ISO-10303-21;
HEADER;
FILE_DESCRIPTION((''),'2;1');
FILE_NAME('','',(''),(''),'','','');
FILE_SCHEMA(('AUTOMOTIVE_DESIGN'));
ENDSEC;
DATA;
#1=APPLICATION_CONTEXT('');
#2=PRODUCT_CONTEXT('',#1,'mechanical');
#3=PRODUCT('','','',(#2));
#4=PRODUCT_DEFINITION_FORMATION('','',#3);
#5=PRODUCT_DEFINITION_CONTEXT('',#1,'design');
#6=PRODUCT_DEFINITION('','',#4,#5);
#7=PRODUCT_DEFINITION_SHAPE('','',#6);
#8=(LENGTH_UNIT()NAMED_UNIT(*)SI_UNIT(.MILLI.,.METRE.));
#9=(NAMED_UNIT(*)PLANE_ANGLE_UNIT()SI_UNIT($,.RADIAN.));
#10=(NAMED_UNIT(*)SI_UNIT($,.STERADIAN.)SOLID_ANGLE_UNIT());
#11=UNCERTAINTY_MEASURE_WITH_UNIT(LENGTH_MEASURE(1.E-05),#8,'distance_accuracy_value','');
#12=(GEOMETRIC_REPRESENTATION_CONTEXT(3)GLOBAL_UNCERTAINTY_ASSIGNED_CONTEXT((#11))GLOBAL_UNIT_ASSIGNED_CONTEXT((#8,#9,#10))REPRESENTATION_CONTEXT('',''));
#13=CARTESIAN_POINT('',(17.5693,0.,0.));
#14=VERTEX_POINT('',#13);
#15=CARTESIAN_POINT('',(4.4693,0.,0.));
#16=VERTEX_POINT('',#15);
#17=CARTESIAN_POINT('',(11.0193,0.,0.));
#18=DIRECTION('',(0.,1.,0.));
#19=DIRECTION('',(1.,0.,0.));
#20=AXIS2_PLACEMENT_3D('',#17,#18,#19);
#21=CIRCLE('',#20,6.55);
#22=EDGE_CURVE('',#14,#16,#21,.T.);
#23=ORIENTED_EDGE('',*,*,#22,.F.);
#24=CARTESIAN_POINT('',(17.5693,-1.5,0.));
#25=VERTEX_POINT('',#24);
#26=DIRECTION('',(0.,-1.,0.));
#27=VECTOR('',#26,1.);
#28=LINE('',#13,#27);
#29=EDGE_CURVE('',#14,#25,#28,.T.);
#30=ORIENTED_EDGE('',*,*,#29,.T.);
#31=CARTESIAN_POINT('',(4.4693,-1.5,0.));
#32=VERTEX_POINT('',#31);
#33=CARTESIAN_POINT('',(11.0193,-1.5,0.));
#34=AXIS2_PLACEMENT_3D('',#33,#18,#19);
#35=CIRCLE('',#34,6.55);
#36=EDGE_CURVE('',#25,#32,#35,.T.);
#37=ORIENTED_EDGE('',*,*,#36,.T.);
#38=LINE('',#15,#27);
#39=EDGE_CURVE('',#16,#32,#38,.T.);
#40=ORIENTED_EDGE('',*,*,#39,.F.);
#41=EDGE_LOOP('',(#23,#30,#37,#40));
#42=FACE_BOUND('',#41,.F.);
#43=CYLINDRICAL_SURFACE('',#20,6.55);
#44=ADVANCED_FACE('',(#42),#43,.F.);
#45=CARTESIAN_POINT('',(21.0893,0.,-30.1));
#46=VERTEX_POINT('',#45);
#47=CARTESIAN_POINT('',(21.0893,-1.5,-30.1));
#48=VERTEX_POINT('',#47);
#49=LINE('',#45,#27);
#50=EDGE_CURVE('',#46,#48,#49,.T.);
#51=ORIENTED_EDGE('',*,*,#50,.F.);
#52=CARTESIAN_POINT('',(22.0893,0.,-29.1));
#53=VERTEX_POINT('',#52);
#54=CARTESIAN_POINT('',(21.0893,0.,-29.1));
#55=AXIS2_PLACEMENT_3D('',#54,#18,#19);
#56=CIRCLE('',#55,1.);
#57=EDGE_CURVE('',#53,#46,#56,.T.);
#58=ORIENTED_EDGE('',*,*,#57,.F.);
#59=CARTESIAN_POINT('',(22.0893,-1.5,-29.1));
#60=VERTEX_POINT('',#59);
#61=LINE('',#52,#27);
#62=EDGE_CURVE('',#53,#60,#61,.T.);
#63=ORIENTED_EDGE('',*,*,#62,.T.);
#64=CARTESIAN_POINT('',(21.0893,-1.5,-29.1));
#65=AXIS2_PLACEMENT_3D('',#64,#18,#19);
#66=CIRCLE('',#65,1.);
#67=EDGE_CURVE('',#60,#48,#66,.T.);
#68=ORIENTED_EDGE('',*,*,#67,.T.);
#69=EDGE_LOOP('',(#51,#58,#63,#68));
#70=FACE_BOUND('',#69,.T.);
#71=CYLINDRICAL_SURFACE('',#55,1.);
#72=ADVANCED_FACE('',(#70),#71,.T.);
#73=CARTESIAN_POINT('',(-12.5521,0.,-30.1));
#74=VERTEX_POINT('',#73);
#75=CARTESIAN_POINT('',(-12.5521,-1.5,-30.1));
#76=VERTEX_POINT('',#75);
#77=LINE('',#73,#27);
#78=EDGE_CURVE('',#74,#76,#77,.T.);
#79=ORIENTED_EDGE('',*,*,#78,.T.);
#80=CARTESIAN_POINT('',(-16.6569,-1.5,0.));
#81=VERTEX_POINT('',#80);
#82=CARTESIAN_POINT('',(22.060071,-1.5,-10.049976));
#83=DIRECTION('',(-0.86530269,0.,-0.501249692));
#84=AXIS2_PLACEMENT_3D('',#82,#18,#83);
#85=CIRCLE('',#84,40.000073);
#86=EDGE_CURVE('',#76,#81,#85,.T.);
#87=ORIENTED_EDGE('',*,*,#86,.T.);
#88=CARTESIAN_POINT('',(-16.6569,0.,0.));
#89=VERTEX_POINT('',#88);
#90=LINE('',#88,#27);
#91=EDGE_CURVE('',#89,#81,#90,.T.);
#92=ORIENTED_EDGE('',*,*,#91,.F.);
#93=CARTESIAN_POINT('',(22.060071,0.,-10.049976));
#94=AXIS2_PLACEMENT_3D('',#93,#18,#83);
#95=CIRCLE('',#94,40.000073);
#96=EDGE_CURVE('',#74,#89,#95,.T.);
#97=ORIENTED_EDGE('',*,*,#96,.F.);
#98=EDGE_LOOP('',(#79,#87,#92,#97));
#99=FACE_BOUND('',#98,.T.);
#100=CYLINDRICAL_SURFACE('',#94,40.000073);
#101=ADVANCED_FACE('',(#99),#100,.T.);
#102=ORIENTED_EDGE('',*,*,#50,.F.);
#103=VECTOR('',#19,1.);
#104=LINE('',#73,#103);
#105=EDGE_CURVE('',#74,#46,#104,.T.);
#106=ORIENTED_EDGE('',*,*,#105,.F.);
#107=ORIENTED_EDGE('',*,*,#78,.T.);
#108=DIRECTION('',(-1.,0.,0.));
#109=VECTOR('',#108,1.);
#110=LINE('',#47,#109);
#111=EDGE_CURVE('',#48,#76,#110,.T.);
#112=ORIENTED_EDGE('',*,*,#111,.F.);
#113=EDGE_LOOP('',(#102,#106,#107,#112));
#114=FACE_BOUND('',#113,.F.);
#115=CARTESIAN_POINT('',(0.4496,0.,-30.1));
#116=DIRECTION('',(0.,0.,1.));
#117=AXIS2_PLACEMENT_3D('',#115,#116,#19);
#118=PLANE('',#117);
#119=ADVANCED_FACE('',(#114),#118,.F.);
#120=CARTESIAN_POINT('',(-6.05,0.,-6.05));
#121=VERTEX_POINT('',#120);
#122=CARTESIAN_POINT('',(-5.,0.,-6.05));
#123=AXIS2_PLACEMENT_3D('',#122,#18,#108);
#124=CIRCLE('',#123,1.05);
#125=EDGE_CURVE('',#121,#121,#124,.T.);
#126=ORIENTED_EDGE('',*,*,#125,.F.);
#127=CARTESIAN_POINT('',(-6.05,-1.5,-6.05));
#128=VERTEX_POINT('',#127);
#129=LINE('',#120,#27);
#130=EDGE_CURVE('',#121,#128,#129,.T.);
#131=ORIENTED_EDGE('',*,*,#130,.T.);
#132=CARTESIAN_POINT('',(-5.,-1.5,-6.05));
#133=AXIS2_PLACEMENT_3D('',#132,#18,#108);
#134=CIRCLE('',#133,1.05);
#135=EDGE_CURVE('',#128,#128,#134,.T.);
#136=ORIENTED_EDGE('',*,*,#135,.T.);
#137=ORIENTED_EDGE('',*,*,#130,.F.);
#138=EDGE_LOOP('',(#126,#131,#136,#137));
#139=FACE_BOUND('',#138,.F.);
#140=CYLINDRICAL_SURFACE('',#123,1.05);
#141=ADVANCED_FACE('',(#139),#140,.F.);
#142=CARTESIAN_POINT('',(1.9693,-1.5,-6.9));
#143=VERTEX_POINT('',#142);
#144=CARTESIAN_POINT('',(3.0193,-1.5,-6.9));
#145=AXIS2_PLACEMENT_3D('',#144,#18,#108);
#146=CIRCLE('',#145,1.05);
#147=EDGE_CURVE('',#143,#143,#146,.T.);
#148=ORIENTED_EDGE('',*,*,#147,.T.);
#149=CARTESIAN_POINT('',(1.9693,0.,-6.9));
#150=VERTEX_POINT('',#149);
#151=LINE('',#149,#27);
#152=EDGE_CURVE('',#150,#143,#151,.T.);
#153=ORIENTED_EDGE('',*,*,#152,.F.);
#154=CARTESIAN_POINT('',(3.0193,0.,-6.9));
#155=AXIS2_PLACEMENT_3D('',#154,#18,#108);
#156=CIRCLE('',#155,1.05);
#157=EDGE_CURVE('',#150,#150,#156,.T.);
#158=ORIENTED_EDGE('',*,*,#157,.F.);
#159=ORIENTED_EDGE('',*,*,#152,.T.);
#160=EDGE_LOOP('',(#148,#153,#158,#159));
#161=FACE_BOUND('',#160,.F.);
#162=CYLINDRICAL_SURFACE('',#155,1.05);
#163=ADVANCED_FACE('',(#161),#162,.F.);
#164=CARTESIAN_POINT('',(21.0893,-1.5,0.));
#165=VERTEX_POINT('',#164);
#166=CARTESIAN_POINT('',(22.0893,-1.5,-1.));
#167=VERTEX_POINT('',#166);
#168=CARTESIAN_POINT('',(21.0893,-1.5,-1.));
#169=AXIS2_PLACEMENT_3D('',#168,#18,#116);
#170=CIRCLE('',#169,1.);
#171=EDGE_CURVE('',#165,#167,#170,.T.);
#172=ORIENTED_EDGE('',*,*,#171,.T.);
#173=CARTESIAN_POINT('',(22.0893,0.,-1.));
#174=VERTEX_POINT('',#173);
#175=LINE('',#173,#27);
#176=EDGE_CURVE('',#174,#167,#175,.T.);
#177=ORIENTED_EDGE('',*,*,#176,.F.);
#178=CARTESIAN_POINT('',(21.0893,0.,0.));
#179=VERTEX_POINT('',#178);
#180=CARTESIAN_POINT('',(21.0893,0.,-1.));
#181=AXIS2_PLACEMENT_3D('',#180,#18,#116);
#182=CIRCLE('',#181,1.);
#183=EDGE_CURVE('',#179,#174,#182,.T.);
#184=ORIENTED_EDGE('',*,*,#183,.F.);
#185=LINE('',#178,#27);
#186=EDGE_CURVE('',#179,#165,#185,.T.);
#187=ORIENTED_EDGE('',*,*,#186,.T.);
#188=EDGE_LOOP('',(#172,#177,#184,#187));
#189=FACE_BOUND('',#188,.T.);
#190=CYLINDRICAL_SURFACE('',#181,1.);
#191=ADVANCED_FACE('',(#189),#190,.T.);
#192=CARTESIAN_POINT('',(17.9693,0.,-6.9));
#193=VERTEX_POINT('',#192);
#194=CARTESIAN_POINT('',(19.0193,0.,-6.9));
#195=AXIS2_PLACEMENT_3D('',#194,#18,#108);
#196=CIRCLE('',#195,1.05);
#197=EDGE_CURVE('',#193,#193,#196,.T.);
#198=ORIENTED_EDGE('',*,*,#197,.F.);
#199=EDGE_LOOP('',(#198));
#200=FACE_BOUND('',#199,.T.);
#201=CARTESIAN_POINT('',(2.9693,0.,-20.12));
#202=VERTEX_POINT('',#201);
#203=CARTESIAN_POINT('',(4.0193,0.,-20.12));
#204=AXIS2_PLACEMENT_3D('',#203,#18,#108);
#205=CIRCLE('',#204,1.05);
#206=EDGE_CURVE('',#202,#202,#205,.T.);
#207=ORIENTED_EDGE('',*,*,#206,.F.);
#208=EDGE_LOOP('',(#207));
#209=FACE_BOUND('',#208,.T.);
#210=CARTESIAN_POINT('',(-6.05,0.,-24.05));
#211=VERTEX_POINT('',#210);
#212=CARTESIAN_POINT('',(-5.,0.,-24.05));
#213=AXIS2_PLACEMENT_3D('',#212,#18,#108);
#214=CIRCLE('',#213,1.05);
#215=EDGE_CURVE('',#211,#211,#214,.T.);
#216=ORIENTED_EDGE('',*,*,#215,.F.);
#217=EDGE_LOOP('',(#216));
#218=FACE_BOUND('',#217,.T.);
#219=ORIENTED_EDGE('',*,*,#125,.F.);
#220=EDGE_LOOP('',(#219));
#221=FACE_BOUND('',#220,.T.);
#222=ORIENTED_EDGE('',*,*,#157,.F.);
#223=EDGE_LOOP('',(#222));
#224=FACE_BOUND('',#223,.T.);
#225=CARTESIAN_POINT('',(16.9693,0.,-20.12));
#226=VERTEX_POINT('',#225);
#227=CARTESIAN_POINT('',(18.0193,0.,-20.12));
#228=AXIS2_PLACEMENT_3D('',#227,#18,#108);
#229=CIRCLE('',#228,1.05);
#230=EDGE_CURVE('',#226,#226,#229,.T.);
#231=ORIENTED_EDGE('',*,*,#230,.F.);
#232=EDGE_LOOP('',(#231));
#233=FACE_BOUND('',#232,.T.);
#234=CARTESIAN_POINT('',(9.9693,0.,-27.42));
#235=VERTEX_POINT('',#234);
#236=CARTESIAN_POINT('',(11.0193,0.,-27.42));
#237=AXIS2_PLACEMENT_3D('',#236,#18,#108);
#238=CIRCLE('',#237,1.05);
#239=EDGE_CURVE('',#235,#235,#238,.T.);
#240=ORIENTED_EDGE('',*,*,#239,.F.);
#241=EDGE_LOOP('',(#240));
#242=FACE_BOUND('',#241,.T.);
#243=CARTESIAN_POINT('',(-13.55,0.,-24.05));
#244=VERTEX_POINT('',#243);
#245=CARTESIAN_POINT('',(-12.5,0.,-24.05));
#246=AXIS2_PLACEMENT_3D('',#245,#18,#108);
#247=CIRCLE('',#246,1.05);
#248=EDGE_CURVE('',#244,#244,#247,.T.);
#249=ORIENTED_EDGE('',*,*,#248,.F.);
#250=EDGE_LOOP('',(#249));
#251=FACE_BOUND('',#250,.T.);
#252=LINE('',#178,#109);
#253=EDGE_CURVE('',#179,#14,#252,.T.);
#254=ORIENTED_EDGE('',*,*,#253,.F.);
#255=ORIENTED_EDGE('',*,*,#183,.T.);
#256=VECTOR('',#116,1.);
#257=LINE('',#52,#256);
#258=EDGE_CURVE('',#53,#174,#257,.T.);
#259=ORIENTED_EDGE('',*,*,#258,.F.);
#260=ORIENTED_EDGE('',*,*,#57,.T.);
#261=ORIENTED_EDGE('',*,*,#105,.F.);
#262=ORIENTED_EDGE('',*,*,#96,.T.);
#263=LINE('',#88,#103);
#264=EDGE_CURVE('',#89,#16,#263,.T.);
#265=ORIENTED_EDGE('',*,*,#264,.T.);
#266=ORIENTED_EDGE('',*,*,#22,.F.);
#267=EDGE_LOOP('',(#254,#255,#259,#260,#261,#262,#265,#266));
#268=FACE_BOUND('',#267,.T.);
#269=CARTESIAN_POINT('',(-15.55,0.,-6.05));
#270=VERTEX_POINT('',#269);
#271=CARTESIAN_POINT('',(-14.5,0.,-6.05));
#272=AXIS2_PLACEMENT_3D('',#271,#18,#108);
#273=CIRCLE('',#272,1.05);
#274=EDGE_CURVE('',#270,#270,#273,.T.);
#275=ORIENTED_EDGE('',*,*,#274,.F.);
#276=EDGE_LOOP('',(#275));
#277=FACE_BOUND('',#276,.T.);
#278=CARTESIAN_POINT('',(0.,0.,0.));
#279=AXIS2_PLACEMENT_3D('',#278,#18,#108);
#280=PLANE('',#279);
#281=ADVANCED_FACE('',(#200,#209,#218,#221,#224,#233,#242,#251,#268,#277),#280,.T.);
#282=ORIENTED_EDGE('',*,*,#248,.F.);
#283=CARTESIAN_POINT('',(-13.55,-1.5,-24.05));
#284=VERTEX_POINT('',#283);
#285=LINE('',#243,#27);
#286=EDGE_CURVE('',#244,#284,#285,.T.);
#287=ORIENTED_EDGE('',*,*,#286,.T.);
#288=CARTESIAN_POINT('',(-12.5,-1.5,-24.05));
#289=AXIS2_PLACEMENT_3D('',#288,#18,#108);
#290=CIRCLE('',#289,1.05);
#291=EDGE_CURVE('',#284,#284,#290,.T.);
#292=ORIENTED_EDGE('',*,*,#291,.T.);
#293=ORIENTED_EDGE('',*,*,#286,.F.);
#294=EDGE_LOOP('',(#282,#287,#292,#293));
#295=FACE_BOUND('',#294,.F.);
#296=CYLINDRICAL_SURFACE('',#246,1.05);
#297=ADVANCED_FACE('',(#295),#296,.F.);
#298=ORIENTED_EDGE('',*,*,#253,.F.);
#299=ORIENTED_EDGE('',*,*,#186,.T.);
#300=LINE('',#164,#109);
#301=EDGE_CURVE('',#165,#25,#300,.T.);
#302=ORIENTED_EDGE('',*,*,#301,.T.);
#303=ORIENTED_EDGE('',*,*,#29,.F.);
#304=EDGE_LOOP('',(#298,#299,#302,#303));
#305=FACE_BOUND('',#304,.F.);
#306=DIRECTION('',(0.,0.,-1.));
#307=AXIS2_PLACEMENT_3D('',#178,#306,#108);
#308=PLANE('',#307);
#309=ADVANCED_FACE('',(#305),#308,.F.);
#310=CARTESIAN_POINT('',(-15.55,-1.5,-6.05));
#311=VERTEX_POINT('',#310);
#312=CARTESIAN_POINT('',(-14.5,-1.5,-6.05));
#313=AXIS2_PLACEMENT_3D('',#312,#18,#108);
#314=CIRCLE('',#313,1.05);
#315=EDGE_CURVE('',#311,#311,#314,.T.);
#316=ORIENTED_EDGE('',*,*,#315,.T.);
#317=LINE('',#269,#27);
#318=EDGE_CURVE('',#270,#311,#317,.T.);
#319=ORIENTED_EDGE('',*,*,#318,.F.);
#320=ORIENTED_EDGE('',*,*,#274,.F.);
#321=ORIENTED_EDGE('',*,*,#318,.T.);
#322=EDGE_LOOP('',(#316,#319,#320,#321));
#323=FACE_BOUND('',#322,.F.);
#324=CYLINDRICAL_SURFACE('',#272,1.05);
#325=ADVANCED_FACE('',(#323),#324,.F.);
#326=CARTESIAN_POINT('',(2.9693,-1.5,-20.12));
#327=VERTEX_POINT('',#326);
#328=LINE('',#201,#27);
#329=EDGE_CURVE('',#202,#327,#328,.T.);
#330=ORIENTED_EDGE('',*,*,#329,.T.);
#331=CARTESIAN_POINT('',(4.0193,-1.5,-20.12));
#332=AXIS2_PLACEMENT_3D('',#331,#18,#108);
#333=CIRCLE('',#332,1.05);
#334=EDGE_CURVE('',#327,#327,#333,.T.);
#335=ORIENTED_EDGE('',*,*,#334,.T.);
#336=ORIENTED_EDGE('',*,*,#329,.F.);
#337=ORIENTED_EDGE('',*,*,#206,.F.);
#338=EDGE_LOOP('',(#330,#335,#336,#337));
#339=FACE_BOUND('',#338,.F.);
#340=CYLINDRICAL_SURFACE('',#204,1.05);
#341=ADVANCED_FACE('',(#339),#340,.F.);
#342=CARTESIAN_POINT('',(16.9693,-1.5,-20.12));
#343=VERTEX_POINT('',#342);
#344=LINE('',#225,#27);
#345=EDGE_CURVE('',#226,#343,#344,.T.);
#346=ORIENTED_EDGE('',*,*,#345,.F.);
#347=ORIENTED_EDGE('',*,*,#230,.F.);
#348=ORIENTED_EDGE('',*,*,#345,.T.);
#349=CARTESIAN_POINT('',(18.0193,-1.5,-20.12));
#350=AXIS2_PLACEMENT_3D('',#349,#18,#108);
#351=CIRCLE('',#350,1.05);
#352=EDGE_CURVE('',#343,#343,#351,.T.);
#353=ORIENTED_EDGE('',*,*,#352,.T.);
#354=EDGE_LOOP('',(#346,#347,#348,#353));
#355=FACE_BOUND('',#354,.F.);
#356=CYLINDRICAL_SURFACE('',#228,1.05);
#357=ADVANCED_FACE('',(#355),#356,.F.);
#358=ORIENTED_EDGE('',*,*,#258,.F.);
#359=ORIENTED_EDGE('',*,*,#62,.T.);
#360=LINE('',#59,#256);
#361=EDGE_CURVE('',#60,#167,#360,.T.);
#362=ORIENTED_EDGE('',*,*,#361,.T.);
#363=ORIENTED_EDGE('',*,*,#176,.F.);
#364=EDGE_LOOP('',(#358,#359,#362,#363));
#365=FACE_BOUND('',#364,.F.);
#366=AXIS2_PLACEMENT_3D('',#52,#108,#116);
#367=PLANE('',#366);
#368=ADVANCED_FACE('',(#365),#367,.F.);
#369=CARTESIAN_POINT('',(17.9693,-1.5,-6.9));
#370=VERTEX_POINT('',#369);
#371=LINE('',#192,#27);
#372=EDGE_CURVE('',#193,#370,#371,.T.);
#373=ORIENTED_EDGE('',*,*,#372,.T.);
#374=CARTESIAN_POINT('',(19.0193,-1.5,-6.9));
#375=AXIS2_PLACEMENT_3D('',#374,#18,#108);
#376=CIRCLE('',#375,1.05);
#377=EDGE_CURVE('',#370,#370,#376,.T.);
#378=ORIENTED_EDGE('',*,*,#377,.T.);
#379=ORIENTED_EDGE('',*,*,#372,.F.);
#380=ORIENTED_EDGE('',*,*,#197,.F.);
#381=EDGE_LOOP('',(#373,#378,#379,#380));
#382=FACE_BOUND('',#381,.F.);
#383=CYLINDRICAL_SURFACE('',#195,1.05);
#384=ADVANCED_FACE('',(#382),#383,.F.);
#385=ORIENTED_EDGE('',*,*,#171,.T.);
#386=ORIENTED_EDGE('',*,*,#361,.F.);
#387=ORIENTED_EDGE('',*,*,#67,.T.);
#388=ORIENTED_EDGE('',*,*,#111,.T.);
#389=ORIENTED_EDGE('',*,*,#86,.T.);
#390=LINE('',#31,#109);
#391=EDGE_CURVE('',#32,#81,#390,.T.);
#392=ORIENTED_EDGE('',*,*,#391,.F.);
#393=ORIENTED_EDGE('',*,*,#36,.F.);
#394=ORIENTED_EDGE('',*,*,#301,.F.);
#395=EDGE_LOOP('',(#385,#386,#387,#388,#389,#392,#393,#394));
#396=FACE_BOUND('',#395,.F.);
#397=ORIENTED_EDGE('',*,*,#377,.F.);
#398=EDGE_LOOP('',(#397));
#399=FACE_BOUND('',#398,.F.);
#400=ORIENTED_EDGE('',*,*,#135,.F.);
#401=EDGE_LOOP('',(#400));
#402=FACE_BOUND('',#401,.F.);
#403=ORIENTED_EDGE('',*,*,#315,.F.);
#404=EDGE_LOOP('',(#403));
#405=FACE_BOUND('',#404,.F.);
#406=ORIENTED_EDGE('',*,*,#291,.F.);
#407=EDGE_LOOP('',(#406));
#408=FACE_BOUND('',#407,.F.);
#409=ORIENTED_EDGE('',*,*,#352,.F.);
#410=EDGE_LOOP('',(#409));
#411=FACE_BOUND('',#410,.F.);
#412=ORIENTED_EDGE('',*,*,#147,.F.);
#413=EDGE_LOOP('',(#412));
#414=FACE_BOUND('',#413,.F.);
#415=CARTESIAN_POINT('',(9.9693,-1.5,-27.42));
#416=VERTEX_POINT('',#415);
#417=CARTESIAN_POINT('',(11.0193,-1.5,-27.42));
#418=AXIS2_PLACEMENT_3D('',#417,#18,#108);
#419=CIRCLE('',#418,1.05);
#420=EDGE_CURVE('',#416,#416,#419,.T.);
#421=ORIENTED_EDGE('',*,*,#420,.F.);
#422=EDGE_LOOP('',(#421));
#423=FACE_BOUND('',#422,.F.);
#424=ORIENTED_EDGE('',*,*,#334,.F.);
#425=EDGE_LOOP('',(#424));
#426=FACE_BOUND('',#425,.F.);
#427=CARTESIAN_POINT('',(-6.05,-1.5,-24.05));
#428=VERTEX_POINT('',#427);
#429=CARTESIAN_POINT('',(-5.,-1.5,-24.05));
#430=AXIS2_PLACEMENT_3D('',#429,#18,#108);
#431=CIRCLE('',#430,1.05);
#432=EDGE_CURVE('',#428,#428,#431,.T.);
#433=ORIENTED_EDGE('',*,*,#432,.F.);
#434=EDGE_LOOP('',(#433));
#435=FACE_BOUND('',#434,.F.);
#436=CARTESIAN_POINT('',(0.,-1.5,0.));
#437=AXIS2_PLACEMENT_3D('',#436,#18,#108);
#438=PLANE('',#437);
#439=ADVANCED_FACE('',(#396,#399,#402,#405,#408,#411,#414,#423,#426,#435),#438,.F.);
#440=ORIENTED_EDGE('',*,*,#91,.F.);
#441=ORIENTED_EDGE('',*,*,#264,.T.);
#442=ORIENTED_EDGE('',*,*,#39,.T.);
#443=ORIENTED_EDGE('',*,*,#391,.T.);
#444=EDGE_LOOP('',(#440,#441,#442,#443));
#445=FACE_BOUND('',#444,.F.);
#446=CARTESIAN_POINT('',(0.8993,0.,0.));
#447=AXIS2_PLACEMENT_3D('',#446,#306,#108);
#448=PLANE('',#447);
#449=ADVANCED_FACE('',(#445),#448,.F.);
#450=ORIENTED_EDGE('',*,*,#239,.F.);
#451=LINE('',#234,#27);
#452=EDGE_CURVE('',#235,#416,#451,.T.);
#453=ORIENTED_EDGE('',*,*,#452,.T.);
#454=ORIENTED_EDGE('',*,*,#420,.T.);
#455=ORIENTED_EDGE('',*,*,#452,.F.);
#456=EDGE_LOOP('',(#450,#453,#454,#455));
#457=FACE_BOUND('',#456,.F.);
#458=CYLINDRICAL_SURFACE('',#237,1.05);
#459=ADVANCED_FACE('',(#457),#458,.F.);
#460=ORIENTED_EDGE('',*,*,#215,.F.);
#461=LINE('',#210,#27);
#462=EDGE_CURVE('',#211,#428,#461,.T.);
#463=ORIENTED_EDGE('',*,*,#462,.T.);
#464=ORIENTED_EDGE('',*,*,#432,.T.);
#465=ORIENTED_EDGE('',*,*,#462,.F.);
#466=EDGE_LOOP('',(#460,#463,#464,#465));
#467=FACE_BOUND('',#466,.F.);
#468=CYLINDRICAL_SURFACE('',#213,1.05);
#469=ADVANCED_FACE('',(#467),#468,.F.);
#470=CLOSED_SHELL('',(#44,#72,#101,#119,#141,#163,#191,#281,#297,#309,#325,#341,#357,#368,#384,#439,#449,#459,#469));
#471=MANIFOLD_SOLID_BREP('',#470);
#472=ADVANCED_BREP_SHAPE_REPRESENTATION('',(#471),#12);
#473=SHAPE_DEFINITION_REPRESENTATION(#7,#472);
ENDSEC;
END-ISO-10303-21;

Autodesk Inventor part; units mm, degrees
ref_plane "YZ Plane" through (0, 0, 0) normal (1, 0, 0) x (0, 1, 0)
ref_plane "XZ Plane" through (0, 0, 0) normal (0, 1, 0) x (-1, 0, 0)
ref_plane "XY Plane" through (0, 0, 0) normal (0, 0, 1) x (1, 0, 0)
sketch "Sketch1" plane through (0, 0, 0) normal (0, 1, 0) x (-1, 0, 0)
  line L0 (-0.4496, -30.1) -> (-0.4496, 0)
  circle A0 centre (14.5, -6.05) radius 1.05
  circle A1 centre (12.5, -24.05) radius 1.05
  circle A2 centre (5, -24.05) radius 1.05
  circle A3 centre (5, -6.05) radius 1.05
  circle A4 centre (-19.0193, -6.9) radius 1.05
  circle A5 centre (-18.0193, -20.12) radius 1.05
  circle A6 centre (-11.0193, -27.42) radius 1.05
  circle A7 centre (-4.0193, -20.12) radius 1.05
  circle A8 centre (-3.0193, -6.9) radius 1.05
  arc A9 (-21.0893, 0) -> (-22.0893, -1) centre (-21.0893, -1) ccw
  line L1 (-22.0893, -29.1) -> (-22.0893, -1)
  arc A10 (-22.0893, -29.1) -> (-21.0893, -30.1) centre (-21.0893, -29.1) ccw
  arc A11 (12.5521, -30.1) -> (16.6569, 0) centre (-22.06, -10.05) ccw
  line L2 (-4.4693, 0) -> (16.6569, 0)
  line L3 (12.5521, -30.1) -> (-21.0893, -30.1)
  arc A12 (-17.5693, 0) -> (-4.4693, 0) centre (-11.0193, 0) ccw
  line L4 (-21.0893, 0) -> (-17.5693, 0)
  line L5 (-0.8993, -30.1) -> (-0.8993, 0)
  line L6 (0, 0) -> (0, -30.1)
extrude "Extrusion1" add sketch "Sketch1" against normal blind 1.5
properties part number "axis_2_bottom_L_frame(top)" material "Aluminum 6061-AHC"
